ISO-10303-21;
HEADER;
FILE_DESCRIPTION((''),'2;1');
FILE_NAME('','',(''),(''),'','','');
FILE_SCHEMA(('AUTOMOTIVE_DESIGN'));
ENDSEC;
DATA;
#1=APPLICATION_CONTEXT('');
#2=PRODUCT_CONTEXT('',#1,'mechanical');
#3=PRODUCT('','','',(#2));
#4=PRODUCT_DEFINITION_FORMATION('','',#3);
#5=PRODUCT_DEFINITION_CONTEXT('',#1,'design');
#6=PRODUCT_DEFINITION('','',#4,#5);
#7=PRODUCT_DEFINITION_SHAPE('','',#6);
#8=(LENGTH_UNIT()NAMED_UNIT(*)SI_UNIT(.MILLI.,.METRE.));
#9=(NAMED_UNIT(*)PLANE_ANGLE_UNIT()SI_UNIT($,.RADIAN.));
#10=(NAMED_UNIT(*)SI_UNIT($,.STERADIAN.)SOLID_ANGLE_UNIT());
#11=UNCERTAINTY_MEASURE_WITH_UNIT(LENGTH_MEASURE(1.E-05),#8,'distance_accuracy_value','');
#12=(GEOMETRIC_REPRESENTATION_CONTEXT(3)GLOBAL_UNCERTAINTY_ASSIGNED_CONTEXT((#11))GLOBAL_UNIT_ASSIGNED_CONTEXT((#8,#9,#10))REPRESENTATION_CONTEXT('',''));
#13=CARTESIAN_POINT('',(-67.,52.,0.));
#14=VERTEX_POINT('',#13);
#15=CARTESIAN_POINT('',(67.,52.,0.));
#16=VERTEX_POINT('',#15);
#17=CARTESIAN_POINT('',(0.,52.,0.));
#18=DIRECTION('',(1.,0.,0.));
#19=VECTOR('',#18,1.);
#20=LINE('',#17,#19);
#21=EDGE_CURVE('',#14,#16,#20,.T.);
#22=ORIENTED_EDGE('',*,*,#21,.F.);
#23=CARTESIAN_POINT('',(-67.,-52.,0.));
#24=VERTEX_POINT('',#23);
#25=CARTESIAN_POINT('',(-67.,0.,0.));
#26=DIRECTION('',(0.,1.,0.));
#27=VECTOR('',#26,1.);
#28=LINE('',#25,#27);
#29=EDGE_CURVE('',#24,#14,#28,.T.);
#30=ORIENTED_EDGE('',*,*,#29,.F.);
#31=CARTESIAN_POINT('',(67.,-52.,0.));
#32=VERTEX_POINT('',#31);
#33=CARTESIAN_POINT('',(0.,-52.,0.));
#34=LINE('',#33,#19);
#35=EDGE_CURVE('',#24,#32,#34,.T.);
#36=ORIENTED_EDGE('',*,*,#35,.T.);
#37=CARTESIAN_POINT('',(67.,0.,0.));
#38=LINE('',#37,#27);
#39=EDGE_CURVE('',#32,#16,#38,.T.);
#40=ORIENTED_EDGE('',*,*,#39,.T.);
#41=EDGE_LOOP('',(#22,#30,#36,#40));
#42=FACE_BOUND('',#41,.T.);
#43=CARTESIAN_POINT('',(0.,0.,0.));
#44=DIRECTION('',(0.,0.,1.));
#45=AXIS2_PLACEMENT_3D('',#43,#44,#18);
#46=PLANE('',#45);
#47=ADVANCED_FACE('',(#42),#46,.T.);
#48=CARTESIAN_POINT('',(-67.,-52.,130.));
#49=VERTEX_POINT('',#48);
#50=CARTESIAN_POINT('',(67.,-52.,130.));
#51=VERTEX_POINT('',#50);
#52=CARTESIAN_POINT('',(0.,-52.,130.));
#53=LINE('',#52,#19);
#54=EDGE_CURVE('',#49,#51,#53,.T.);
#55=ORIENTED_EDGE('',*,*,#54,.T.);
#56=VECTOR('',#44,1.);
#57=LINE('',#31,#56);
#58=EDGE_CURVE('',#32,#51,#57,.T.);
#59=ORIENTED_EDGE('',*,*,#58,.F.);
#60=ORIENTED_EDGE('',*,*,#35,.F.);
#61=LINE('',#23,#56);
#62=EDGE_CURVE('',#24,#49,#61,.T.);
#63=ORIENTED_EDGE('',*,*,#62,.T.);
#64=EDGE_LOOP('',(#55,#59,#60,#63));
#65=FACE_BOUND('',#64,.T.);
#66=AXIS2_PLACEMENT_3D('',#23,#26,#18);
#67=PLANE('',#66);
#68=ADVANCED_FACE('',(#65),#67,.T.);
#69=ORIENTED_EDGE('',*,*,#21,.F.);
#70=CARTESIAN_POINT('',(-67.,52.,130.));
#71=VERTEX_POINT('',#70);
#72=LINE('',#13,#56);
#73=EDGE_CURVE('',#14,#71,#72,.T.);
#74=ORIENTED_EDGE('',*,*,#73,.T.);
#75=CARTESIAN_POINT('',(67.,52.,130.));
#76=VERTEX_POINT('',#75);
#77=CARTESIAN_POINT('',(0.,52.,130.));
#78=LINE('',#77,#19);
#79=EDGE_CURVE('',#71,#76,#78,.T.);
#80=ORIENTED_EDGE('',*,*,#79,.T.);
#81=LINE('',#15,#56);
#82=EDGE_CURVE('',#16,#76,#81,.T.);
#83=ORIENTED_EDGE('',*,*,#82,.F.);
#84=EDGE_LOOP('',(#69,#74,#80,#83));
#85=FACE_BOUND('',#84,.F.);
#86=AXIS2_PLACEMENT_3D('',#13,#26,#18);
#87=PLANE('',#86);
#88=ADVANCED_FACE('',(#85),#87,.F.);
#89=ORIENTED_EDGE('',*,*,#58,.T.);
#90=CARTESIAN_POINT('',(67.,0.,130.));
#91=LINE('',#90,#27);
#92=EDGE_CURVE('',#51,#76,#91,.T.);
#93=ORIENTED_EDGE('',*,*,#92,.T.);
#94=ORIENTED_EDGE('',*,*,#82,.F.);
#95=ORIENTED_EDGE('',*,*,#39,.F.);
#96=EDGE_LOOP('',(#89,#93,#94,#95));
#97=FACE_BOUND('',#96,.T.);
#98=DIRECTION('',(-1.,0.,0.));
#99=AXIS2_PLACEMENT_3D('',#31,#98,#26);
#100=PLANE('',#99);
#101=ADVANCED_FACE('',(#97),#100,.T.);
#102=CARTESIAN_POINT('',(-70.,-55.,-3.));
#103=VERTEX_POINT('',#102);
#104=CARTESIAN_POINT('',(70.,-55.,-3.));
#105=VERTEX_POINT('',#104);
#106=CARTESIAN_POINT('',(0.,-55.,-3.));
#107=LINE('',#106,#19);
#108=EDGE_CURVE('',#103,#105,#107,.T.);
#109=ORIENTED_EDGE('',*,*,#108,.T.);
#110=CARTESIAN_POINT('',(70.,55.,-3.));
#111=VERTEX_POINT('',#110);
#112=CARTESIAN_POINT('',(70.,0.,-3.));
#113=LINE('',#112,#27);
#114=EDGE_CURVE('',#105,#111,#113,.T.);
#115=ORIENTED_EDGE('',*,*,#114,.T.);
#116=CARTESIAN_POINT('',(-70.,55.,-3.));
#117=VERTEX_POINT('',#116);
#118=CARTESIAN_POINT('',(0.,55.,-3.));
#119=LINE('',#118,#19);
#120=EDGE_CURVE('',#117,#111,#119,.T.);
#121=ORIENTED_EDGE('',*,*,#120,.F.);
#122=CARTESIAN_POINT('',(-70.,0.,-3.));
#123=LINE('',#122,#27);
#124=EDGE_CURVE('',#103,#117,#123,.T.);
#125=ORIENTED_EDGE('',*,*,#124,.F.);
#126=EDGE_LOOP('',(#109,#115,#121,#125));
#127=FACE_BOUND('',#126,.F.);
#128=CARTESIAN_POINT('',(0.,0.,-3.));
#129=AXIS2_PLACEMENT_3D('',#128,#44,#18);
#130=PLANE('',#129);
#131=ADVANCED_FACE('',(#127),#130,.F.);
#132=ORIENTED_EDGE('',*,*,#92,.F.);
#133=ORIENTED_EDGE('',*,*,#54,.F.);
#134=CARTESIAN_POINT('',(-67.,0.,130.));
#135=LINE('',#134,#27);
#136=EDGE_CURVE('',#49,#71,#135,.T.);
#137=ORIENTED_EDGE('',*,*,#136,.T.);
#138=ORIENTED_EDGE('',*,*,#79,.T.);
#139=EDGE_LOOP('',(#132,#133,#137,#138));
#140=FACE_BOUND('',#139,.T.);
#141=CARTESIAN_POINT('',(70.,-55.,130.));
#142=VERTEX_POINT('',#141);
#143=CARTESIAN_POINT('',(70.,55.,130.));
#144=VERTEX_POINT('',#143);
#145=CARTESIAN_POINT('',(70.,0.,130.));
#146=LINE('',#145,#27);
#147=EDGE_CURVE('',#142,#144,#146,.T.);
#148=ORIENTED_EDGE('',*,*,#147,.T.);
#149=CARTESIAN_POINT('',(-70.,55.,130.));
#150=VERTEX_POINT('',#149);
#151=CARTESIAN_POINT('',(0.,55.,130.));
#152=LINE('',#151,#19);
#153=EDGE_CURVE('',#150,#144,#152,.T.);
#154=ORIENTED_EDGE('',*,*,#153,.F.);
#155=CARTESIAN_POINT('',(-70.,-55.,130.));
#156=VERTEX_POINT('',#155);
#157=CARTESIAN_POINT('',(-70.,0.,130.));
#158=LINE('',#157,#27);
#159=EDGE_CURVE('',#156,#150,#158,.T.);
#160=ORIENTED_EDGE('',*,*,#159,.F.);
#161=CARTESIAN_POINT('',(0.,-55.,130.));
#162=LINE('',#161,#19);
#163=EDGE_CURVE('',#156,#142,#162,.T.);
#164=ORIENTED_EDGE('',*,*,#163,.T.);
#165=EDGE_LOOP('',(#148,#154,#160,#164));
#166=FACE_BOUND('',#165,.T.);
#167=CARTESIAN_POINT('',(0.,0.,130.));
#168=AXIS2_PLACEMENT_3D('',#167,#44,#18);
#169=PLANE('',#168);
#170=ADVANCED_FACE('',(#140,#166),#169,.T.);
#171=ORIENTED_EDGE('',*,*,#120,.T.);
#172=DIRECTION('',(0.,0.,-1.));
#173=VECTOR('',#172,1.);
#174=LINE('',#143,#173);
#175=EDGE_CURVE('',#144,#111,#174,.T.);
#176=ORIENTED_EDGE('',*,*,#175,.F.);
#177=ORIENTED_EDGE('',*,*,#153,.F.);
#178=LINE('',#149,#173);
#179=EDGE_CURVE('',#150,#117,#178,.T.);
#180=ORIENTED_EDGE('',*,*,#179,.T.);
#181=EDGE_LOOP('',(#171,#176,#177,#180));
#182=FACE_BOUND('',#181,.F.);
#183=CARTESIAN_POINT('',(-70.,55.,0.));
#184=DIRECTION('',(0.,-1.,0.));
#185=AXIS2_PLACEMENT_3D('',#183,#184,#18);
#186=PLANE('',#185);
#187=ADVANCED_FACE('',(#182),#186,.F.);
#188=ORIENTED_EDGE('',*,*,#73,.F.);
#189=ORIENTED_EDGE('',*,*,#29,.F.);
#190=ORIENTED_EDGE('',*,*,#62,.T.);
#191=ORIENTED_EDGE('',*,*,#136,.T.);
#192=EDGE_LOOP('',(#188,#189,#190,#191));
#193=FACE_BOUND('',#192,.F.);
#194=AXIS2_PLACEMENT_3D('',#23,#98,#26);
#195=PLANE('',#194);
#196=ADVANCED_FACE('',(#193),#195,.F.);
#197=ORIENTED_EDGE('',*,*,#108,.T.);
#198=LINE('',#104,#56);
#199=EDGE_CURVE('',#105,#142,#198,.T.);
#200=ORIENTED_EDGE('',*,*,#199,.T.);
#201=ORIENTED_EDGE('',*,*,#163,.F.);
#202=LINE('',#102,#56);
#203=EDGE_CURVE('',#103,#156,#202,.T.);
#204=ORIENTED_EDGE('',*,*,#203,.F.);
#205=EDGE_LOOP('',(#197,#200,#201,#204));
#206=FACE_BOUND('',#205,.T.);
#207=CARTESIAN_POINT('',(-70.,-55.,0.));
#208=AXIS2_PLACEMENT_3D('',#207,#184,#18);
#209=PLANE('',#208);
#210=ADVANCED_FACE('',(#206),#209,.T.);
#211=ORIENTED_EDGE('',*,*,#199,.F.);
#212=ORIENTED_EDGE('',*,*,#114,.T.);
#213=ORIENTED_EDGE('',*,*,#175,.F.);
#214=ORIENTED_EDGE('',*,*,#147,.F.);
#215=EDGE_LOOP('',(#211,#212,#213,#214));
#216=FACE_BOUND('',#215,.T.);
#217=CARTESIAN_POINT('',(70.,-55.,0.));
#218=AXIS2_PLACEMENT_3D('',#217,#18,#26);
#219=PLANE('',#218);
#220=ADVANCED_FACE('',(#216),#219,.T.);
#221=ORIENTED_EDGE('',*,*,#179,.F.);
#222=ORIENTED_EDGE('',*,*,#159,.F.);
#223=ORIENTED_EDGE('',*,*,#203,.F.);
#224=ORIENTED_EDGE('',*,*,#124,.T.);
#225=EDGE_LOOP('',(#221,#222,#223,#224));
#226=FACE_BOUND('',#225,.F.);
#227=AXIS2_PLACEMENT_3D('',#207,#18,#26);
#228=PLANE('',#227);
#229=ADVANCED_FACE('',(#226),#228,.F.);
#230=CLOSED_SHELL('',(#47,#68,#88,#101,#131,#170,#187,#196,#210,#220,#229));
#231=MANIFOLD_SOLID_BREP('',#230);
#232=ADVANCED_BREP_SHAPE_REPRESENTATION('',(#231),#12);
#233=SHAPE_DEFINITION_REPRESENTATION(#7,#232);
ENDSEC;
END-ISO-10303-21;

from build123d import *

# Parameters (mm, degrees)
F0_W     = 140
F0_H     = 110
F0_W_2   = 134
F0_H_2   = 104
F1_DEPTH = 130
F2_W     = 140
F2_H     = 110
F3_DEPTH = 3


with BuildPart() as f1:
    # F0 (on Top) → F1 (new body)
    with BuildSketch(Plane.XY):
        Rectangle(F0_W, F0_H)
        Rectangle(F0_W_2, F0_H_2, mode=Mode.SUBTRACT)
    extrude(amount=F1_DEPTH)

    # F2 (on Top) → F3 (join)
    with BuildSketch(Plane.XY):
        Rectangle(F2_W, F2_H)
    extrude(amount=-F3_DEPTH)


solid = f1.part
